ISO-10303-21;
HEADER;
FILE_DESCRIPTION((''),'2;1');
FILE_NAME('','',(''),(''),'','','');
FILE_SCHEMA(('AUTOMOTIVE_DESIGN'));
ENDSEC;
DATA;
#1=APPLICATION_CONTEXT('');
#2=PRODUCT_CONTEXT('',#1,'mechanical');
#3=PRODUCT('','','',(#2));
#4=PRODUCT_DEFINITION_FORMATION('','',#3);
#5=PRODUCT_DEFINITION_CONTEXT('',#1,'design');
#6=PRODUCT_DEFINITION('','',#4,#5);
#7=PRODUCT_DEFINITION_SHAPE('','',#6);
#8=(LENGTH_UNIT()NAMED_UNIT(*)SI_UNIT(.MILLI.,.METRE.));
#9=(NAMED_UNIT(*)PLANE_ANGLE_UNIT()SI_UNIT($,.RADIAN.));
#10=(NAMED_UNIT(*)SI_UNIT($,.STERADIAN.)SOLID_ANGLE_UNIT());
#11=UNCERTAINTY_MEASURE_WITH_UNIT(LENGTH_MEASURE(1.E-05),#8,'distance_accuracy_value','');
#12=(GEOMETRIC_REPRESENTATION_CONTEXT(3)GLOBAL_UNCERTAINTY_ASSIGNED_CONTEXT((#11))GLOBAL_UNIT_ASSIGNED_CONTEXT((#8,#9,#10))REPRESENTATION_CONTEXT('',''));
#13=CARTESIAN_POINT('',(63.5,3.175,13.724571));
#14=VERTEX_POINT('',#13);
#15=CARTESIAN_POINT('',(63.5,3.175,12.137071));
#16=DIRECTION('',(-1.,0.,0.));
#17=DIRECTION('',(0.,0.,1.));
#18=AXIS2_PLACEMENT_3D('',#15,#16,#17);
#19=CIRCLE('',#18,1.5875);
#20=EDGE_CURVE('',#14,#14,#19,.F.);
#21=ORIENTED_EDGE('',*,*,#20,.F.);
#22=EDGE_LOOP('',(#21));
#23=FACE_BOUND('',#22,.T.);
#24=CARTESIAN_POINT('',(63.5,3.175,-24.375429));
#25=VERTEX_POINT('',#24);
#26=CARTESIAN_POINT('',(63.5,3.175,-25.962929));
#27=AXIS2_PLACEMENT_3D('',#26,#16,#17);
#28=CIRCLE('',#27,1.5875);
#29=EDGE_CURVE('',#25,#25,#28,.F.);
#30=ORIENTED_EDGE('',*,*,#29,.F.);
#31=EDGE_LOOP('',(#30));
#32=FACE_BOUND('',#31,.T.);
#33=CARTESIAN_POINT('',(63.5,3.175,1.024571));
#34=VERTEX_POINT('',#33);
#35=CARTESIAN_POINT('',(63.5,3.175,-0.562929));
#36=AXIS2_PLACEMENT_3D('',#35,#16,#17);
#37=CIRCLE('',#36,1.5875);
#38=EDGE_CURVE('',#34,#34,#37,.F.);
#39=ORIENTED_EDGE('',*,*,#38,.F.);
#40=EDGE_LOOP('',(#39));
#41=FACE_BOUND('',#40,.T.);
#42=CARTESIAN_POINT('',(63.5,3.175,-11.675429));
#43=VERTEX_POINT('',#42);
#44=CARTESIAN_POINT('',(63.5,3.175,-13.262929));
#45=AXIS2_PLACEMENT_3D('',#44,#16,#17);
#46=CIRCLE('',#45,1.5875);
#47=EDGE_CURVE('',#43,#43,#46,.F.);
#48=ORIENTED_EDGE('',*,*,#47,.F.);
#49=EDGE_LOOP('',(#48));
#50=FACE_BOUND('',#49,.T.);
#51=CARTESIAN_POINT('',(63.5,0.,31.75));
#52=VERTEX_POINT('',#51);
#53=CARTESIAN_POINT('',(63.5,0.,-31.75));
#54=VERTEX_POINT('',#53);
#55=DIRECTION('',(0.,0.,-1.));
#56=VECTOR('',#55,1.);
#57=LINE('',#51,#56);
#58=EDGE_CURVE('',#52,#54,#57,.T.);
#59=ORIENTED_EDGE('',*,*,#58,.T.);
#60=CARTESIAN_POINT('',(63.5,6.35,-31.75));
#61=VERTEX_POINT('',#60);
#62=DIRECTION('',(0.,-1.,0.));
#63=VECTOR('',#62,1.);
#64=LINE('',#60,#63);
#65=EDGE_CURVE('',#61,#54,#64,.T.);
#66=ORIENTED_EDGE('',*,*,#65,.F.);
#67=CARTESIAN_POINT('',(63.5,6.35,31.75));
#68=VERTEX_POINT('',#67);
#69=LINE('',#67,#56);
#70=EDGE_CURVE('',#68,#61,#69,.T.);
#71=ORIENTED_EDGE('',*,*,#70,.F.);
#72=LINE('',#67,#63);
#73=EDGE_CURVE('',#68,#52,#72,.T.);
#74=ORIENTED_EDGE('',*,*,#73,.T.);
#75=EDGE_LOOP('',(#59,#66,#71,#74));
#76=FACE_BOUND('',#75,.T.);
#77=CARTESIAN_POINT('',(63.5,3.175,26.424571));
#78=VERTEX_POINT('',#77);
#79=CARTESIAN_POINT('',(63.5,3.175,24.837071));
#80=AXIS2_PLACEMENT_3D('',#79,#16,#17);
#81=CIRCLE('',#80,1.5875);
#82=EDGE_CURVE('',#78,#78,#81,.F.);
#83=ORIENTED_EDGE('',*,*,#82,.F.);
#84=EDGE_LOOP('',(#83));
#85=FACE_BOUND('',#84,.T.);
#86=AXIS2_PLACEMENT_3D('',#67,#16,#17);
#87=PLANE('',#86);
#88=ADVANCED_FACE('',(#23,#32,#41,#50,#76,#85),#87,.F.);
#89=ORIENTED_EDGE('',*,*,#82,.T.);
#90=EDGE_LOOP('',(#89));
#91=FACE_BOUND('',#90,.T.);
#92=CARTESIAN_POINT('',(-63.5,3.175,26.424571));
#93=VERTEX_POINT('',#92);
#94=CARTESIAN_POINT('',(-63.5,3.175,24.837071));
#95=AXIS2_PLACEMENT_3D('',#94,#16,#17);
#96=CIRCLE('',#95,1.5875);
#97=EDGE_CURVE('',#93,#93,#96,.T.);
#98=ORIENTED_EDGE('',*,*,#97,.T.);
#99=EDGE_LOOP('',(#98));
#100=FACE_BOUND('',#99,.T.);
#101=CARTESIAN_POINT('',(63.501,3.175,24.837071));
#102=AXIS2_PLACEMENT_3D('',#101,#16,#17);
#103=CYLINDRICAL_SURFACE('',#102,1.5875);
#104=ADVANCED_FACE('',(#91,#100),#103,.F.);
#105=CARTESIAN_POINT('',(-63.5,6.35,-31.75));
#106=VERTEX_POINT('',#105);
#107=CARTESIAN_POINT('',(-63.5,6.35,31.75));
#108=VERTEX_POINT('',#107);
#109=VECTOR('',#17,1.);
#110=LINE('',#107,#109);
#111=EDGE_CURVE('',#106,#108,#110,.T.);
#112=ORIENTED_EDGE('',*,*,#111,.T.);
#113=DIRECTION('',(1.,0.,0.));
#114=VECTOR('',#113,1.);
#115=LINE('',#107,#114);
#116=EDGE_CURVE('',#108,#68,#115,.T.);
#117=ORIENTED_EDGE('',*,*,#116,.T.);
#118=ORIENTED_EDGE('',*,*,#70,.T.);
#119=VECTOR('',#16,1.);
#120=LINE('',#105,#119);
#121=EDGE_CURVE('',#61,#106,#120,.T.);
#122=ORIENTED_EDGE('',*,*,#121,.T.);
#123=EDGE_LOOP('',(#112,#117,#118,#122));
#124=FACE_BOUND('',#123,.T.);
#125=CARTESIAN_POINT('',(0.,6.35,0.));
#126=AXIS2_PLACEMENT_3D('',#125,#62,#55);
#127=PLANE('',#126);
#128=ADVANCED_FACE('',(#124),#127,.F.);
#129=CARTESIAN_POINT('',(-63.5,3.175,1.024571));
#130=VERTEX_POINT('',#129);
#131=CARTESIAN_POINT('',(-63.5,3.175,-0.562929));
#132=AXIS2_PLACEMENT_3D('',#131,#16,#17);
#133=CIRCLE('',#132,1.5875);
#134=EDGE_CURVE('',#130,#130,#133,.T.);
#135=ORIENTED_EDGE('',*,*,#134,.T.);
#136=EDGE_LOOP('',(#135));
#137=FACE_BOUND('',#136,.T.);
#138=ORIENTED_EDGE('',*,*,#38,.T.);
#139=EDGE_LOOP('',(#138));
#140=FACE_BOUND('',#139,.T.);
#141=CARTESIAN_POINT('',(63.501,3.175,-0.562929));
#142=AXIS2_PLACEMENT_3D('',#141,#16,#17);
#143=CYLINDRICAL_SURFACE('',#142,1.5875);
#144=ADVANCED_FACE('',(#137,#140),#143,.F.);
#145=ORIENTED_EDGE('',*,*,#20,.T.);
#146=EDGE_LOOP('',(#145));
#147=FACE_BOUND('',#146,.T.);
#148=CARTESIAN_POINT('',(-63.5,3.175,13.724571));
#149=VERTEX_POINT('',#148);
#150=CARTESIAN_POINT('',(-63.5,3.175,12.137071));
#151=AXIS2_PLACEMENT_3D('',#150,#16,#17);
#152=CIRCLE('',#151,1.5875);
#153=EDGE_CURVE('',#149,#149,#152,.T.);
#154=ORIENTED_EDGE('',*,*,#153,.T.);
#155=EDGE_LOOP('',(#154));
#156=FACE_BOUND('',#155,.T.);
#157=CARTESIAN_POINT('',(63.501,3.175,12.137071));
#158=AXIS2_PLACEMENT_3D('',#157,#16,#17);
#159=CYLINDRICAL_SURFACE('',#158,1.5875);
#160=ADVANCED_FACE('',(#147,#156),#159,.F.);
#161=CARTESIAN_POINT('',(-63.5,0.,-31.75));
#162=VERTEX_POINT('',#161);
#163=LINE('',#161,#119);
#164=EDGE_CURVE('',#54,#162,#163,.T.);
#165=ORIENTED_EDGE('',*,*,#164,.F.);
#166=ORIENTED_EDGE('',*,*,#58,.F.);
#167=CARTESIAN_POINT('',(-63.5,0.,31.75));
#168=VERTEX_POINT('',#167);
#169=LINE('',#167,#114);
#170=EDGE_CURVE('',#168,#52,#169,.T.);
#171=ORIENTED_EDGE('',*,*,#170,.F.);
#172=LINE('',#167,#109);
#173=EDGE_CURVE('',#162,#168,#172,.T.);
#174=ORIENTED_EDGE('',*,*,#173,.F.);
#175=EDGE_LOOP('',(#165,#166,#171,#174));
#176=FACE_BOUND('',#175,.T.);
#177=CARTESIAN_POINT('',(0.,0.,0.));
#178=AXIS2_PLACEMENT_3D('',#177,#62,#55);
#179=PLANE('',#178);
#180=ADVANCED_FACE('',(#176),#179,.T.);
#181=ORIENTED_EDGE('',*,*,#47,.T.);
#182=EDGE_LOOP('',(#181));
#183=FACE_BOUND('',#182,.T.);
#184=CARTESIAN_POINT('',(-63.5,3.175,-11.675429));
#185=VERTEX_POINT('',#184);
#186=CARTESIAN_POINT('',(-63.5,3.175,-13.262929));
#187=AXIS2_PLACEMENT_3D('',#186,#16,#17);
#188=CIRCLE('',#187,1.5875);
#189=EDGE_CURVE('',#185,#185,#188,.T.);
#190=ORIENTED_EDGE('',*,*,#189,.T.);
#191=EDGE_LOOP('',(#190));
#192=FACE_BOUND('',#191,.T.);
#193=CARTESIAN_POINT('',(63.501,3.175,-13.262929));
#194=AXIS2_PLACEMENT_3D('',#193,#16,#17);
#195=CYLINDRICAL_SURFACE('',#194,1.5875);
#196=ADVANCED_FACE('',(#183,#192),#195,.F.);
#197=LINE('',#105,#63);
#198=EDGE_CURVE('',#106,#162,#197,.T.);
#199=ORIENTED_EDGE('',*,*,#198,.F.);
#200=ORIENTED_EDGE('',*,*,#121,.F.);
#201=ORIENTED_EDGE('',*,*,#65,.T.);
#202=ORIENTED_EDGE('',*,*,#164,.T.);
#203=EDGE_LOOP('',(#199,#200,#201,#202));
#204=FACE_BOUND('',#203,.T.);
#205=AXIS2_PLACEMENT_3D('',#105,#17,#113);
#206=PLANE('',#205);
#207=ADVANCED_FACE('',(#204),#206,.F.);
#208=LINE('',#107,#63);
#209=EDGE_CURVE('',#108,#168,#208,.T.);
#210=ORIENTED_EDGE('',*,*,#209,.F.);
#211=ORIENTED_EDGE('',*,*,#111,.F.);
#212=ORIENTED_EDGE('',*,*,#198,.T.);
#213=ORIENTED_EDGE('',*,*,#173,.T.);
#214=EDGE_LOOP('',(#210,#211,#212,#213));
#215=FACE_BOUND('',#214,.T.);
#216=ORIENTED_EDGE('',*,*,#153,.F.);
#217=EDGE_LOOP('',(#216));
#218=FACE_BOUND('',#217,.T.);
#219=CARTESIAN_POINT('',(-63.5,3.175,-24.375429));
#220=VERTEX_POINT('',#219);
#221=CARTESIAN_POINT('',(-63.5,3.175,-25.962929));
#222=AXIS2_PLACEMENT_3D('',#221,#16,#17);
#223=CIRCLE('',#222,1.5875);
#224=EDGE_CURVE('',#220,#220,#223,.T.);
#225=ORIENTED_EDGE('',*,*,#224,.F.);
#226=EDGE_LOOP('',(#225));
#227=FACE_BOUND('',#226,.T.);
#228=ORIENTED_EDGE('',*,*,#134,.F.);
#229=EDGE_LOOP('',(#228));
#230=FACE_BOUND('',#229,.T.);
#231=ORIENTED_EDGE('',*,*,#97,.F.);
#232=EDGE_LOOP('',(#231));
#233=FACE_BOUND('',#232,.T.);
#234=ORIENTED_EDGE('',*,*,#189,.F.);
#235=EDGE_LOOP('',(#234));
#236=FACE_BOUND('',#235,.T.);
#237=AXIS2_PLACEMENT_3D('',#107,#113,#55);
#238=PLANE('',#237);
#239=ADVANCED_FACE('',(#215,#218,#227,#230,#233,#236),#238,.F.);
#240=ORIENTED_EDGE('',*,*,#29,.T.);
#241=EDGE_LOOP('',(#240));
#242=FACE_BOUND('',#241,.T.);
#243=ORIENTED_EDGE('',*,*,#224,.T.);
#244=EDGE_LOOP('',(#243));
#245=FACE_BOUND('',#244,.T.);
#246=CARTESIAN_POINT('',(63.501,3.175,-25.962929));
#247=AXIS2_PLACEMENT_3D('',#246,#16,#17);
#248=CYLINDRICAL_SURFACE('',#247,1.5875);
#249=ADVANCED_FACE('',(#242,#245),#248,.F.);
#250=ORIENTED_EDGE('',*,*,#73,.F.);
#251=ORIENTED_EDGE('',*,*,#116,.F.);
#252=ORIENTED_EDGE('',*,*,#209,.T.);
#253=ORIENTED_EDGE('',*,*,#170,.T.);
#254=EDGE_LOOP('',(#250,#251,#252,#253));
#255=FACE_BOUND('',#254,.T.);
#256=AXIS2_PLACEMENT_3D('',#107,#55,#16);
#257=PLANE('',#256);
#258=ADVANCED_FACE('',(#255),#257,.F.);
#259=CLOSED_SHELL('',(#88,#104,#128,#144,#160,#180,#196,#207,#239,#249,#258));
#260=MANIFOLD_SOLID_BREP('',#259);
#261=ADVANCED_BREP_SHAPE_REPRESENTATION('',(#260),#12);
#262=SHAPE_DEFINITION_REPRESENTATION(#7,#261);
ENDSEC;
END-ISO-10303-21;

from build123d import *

# Parameters (mm, degrees)
SKETCH1_W           = 127
SKETCH1_H           = 63.5
BOSS_EXTRUDE1_DEPTH = 6.35
CUT_EXTRUDE1_REACH  = 133.063
SKETCH2_R           = 1.5875
LPATTERN1_COUNT     = 5
LPATTERN1_PITCH     = 12.7


with BuildPart() as part:
    # Sketch1 → Boss-Extrude1 (new body)
    with BuildSketch(Plane(origin=(0, 0, 0), x_dir=(1, 0, 0), z_dir=(0, 1, 0))):
        Rectangle(SKETCH1_W, SKETCH1_H)
    extrude(amount=BOSS_EXTRUDE1_DEPTH)

    # Sketch2 → Cut-Extrude1 (cut, up to next)
    with BuildSketch(Plane.ZY.offset(63.5), mode=Mode.PRIVATE) as cut_extrude1_sk1:
        with Locations((-25.962928712, 3.175)):
            Circle(SKETCH2_R)
    cut_extrude1_tool1 = extrude(cut_extrude1_sk1.sketch, amount=-CUT_EXTRUDE1_REACH, mode=Mode.PRIVATE) & part.part
    cut_extrude1 = cut_extrude1_tool1.solids().sort_by_distance((-63.5, 3.175, -25.962929))[0]
    add(cut_extrude1, mode=Mode.SUBTRACT)

    # LPattern1: Cut-Extrude1 ×5
    with Locations(*[(0, 0, i * LPATTERN1_PITCH) for i in range(1, LPATTERN1_COUNT)]):
        add(cut_extrude1, mode=Mode.SUBTRACT)


solid = part.part
